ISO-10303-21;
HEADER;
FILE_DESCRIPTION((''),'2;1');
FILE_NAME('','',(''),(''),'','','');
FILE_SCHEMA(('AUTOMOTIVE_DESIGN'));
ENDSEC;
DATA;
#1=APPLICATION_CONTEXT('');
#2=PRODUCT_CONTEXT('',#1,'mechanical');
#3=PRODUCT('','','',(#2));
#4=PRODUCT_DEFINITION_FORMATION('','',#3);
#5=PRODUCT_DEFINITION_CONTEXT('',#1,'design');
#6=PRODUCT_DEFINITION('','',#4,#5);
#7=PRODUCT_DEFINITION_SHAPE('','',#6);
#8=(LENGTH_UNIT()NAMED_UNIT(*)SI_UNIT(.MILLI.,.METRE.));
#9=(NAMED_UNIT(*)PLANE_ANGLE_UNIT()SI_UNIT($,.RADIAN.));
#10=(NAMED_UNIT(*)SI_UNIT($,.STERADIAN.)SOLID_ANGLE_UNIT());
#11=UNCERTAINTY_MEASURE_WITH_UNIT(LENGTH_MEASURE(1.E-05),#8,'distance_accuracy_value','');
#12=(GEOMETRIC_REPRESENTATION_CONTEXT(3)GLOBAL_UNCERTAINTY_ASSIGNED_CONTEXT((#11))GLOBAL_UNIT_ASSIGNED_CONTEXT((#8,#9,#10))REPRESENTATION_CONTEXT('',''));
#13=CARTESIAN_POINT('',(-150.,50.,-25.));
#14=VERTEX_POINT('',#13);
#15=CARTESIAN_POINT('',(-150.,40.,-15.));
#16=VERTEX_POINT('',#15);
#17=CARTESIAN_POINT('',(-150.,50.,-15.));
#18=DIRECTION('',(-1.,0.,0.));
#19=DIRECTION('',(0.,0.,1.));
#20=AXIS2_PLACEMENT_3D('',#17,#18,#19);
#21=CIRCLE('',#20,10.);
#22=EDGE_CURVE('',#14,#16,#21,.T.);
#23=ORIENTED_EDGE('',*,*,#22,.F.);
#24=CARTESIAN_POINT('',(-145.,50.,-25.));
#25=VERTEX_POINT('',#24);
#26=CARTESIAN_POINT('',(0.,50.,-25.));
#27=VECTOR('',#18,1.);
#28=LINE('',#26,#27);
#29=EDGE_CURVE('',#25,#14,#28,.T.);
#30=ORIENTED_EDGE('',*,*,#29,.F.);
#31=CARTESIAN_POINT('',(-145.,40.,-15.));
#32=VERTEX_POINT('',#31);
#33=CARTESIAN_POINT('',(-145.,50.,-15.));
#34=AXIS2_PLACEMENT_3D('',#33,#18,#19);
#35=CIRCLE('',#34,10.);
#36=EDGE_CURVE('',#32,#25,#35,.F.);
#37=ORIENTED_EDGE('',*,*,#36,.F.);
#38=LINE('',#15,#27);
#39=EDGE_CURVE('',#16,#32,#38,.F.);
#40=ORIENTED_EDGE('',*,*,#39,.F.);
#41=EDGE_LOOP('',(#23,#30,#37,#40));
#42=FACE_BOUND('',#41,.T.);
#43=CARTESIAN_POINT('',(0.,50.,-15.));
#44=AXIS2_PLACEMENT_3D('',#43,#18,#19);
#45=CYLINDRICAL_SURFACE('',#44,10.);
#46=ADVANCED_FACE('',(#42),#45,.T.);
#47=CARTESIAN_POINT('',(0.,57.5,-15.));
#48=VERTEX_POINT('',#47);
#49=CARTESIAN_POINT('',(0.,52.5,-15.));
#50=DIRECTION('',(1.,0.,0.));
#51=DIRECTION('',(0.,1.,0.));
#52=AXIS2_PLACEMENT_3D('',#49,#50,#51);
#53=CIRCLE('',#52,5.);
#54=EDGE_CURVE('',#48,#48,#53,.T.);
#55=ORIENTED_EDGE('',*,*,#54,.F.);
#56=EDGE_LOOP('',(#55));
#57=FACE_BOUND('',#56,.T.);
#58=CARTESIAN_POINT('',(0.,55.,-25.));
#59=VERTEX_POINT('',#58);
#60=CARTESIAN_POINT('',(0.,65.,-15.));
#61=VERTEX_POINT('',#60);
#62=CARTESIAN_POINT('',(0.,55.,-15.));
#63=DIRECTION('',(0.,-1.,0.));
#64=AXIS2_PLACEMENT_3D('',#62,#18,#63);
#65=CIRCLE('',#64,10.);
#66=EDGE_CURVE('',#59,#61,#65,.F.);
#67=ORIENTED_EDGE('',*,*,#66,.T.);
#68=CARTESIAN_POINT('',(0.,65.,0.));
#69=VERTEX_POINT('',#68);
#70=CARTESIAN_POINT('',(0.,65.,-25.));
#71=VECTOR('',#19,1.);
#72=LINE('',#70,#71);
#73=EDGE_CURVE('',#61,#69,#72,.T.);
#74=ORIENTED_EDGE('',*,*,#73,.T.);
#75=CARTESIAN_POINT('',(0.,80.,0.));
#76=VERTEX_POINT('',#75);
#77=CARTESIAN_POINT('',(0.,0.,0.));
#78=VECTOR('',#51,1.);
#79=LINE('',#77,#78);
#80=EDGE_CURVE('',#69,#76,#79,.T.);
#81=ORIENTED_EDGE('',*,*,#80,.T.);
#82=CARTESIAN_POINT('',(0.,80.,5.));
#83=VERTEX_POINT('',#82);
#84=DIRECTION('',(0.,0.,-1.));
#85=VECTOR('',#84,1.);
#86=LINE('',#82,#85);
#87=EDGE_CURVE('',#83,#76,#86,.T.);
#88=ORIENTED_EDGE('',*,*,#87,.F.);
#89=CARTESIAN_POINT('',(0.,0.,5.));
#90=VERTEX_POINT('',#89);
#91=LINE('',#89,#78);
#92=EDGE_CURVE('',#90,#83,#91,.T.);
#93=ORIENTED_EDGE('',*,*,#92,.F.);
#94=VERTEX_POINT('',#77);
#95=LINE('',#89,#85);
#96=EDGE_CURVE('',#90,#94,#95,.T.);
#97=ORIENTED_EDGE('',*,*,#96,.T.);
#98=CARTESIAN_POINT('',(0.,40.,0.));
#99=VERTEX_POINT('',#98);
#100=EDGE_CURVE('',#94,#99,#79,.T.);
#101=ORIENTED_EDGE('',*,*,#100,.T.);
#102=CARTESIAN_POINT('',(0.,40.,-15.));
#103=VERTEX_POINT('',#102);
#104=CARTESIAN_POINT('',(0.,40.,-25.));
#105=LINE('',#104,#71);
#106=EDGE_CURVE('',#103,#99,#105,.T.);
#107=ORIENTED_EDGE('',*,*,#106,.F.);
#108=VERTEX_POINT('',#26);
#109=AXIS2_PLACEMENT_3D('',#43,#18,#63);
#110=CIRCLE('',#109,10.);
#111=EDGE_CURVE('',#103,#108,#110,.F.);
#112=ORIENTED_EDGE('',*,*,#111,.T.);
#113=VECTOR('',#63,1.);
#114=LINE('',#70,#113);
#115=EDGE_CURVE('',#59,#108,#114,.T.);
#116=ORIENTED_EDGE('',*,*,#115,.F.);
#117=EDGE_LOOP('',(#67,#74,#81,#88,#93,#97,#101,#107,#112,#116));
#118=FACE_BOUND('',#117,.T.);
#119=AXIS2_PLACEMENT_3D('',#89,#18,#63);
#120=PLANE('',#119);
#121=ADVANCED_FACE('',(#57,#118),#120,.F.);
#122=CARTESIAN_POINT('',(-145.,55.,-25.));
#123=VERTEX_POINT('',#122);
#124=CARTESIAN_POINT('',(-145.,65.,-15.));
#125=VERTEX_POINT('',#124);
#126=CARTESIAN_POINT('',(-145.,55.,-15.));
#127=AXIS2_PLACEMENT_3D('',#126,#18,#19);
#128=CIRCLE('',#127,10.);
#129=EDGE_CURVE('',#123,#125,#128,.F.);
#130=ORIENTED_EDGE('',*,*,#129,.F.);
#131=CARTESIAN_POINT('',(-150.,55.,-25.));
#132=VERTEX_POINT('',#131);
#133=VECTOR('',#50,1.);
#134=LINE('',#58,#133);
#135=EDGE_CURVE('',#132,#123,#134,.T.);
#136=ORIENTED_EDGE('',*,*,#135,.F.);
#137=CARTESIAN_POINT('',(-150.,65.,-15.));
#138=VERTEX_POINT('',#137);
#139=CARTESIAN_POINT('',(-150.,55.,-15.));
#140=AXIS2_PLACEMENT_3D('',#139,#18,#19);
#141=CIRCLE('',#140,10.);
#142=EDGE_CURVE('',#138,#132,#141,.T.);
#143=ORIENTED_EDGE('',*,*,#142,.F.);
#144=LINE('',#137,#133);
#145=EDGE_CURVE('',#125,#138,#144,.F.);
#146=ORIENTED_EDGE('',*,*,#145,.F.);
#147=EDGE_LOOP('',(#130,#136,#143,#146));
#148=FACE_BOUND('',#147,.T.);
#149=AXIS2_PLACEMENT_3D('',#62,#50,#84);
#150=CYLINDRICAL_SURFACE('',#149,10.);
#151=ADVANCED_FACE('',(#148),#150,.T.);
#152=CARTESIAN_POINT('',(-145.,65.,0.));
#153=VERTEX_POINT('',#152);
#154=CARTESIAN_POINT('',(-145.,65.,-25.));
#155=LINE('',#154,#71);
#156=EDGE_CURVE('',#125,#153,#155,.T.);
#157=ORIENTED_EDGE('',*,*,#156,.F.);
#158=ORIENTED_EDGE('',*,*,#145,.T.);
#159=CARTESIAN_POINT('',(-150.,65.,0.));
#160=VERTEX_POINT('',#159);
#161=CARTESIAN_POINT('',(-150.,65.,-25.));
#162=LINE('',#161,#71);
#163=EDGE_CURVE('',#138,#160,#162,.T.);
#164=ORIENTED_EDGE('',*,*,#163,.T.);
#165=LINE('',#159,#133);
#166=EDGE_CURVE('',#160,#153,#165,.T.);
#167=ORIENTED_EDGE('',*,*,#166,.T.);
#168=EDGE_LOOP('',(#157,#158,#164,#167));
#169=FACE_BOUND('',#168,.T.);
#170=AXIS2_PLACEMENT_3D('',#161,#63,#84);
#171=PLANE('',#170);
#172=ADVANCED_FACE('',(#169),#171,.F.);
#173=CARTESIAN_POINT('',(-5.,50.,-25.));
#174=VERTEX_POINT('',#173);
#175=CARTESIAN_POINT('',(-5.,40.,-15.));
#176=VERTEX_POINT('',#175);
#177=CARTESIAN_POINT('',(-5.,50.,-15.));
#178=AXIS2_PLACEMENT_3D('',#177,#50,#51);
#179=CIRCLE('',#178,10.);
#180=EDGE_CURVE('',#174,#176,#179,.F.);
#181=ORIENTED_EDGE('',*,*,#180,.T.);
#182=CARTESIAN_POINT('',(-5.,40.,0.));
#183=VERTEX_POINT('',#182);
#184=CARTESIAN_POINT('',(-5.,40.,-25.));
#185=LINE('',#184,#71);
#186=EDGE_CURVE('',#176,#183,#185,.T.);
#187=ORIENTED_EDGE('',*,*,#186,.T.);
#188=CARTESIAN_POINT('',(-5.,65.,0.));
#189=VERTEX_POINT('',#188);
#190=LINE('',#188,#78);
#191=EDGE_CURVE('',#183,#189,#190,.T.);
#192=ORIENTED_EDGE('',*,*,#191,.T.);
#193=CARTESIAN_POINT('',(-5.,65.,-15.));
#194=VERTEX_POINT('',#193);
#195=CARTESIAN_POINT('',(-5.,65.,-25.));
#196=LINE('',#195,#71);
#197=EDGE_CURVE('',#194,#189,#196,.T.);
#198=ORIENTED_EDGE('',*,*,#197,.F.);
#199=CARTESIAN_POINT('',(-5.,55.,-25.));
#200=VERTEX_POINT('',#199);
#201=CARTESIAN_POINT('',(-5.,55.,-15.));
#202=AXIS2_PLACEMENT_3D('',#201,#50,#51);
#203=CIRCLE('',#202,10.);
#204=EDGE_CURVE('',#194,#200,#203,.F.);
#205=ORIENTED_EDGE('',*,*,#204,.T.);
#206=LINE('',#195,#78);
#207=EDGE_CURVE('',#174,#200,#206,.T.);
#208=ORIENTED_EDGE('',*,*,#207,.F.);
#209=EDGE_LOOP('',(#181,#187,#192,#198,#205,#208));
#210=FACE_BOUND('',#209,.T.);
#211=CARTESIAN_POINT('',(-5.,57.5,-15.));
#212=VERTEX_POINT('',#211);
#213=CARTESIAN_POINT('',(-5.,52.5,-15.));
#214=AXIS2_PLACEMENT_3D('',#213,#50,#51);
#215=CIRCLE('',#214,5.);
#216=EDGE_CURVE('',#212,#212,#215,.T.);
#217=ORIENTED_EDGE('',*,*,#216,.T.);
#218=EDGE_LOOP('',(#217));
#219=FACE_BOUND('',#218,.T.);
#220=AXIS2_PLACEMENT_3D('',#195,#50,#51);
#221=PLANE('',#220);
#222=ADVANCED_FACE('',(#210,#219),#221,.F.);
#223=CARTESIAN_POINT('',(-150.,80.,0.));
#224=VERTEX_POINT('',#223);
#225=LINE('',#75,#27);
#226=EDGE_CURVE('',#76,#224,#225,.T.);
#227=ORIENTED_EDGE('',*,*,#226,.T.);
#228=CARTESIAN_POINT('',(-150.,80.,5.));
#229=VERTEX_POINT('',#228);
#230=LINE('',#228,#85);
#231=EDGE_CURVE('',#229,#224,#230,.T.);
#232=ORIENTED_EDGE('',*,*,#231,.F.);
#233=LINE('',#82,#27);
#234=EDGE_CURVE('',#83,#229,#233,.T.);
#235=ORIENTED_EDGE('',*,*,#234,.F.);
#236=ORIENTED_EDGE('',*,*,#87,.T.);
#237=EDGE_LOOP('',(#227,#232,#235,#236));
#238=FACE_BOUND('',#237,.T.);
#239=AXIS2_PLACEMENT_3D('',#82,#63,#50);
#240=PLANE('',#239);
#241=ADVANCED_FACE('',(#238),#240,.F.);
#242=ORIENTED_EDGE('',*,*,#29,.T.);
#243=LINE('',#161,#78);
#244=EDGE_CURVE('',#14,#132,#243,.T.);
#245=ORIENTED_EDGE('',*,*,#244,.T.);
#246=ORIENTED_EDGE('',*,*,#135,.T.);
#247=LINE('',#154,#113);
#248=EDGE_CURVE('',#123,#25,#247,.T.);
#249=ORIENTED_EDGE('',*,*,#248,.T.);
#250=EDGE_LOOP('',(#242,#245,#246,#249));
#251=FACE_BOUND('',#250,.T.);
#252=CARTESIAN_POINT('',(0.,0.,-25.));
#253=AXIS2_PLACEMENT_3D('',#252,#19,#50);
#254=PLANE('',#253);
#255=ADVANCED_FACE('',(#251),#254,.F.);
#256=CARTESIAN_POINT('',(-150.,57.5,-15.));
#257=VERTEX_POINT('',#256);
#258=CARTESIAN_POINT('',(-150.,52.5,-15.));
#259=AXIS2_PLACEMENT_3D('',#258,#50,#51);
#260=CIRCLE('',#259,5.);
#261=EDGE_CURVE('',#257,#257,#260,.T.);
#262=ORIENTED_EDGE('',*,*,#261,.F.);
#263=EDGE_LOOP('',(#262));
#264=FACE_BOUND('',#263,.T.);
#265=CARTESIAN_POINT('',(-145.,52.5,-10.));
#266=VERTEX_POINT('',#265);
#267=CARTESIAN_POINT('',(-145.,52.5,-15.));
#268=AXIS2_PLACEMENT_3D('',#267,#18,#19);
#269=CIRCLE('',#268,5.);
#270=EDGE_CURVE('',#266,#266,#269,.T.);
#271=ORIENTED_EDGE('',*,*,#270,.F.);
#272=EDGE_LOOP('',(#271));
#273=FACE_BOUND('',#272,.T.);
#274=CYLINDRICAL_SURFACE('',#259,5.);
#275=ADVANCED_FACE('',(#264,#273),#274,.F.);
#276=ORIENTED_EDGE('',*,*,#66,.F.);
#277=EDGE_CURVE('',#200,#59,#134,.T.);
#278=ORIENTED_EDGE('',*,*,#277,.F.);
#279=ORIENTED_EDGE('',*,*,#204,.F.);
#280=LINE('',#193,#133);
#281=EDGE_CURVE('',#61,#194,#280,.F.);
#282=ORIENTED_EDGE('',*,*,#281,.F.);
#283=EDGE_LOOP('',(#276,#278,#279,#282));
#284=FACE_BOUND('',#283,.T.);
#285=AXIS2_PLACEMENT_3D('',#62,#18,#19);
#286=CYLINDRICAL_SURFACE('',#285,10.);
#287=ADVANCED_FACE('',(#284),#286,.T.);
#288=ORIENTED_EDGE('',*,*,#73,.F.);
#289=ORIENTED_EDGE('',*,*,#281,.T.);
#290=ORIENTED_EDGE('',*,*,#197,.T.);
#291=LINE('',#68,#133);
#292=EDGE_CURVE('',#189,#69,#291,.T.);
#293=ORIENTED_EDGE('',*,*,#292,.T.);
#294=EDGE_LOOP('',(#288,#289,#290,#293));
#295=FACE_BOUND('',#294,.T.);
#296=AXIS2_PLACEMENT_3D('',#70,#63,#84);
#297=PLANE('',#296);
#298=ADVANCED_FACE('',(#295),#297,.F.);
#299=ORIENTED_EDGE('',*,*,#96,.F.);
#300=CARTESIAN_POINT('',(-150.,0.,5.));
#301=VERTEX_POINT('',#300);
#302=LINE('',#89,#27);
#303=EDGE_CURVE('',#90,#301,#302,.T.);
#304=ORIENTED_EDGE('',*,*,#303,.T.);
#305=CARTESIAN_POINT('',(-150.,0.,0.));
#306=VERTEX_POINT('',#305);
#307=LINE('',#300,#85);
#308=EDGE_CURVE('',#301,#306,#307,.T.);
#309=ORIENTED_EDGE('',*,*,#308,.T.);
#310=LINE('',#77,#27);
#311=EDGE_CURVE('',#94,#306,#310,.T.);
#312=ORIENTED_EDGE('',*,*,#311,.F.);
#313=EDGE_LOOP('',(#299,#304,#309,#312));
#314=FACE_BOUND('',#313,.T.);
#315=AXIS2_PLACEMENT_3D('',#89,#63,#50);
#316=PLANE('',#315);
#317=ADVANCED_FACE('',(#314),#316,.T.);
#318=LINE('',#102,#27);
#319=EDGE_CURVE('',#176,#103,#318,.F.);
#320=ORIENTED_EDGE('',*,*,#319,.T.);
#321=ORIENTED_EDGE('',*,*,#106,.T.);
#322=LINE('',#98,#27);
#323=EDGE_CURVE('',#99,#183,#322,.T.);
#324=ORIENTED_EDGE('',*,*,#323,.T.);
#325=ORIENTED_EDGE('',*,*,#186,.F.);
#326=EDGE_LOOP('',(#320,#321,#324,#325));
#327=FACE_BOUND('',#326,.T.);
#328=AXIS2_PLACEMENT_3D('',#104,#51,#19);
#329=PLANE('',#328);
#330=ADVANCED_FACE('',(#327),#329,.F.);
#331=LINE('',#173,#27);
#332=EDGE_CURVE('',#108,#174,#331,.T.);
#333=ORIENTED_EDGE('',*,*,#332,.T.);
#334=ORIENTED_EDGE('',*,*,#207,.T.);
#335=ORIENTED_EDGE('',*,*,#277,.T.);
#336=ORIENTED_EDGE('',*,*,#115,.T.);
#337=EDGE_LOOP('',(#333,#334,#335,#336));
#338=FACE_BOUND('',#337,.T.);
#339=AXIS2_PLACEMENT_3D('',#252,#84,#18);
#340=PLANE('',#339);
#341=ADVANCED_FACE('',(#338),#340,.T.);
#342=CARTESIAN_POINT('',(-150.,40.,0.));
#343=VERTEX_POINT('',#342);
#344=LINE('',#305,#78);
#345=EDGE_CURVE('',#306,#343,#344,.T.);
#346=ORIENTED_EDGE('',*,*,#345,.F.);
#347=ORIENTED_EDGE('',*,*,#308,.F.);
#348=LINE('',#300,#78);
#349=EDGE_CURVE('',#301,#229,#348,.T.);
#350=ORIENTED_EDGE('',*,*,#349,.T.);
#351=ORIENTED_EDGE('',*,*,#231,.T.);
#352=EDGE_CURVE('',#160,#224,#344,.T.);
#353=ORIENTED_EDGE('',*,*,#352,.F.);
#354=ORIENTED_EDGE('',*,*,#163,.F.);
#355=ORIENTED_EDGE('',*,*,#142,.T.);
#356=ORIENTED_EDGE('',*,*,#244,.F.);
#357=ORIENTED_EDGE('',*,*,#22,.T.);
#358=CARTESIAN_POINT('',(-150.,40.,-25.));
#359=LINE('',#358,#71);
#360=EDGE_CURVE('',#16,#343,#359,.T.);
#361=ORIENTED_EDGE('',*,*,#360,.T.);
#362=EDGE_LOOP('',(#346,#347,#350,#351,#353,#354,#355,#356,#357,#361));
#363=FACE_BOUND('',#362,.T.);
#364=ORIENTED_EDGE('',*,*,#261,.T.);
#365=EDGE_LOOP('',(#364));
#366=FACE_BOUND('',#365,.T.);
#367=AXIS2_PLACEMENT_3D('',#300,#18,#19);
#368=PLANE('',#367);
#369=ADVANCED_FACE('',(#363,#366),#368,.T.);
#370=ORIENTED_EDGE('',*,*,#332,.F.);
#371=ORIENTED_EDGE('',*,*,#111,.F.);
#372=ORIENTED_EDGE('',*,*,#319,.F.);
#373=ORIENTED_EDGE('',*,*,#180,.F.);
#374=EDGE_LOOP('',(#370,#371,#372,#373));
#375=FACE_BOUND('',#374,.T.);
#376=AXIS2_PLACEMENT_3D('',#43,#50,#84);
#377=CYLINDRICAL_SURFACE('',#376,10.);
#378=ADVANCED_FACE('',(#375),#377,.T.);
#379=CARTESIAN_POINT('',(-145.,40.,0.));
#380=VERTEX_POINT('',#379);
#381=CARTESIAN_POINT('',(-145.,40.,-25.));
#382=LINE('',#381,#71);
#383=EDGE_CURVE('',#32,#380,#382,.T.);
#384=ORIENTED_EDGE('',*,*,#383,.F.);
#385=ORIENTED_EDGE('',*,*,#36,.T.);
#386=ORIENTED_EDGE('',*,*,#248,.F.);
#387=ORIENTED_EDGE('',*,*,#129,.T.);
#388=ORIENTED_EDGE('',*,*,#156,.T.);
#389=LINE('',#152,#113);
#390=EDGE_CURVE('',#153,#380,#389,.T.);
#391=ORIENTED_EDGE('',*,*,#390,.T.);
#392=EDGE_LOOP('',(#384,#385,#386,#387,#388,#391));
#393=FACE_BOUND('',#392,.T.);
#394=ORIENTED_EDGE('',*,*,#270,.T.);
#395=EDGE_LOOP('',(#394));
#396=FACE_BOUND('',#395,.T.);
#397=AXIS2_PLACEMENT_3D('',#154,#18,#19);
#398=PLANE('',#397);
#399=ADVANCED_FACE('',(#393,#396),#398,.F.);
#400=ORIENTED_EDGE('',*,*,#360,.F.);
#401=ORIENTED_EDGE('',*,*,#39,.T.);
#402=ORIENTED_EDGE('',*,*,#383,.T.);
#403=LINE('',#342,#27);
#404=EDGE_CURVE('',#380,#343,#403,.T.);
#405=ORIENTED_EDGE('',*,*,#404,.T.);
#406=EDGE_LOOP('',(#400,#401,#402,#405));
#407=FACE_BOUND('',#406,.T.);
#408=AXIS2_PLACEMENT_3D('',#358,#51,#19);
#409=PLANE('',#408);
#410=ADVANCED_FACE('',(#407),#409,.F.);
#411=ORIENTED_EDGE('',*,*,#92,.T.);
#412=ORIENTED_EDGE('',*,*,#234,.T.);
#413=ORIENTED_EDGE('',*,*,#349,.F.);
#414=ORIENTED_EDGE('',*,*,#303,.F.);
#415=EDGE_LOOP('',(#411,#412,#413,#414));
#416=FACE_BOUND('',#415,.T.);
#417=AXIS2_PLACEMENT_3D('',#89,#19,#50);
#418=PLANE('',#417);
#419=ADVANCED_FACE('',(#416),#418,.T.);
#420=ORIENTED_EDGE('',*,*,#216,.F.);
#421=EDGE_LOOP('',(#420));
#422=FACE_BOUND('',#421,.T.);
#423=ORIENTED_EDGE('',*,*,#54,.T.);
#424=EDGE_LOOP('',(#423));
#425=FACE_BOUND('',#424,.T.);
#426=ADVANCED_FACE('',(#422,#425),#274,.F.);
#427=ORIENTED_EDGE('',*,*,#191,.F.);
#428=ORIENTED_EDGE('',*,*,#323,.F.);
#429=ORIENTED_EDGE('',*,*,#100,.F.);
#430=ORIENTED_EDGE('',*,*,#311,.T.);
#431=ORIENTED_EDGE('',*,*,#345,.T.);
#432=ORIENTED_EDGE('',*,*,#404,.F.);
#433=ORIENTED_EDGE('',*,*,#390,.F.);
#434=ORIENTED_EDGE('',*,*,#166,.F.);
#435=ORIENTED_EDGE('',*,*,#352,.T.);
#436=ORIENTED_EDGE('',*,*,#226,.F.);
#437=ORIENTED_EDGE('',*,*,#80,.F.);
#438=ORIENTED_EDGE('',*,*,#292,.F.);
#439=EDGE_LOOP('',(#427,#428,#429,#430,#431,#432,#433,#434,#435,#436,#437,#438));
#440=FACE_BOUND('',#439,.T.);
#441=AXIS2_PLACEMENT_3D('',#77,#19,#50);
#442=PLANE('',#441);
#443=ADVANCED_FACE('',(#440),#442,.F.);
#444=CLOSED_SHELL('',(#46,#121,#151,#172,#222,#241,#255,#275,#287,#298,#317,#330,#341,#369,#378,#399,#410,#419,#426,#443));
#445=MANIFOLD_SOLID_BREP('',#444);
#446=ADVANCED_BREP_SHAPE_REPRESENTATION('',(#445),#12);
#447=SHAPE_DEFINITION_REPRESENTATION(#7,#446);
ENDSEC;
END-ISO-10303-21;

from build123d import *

# Parameters (mm, degrees)
SKETCH1_W           = 150
SKETCH1_H           = 80
BOSS_EXTRUDE1_DEPTH = 5
SKETCH2_W           = 5
SKETCH2_H           = 25
BOSS_EXTRUDE2_DEPTH = 25
SKETCH3_R           = 5
CUT_EXTRUDE1_DEPTH  = 151
FILLET1_R           = 10


with BuildPart() as part:
    # Sketch1 → Boss-Extrude1 (new body)
    with BuildSketch(Plane.XY):
        with Locations((-75, 40)):
            Rectangle(SKETCH1_W, SKETCH1_H)
    extrude(amount=BOSS_EXTRUDE1_DEPTH)

    # Sketch2 → Boss-Extrude2 (add)
    with BuildSketch(Plane(origin=(0, 0, 0), x_dir=(-1, 0, 0), z_dir=(0, 0, -1))):
        with Locations((2.5, 52.5)):
            Rectangle(SKETCH2_W, SKETCH2_H)
        with Locations((147.5, 52.5)):
            Rectangle(SKETCH2_W, SKETCH2_H)
    extrude(amount=BOSS_EXTRUDE2_DEPTH)

    # Sketch3 → Cut-Extrude1 (cut, through all)
    with BuildSketch(Plane(origin=(0, 0, 0), x_dir=(0, 0, -1), z_dir=(1, 0, 0))):
        with Locations(Location((15, 52.5, 0), (0, 0, 90))):  # turned: the seam where the file's is
            Circle(SKETCH3_R)
    extrude(amount=-CUT_EXTRUDE1_DEPTH, mode=Mode.SUBTRACT)

    # Fillet1
    fillet1_edges = [part.edges().sort_by_distance(p)[0] for p in [
        (-2.5, 40, -25),
        (-2.5, 65, -25),
        (-147.5, 65, -25),
        (-147.5, 40, -25),
    ]]
    fillet(fillet1_edges, radius=FILLET1_R)


solid = part.part
